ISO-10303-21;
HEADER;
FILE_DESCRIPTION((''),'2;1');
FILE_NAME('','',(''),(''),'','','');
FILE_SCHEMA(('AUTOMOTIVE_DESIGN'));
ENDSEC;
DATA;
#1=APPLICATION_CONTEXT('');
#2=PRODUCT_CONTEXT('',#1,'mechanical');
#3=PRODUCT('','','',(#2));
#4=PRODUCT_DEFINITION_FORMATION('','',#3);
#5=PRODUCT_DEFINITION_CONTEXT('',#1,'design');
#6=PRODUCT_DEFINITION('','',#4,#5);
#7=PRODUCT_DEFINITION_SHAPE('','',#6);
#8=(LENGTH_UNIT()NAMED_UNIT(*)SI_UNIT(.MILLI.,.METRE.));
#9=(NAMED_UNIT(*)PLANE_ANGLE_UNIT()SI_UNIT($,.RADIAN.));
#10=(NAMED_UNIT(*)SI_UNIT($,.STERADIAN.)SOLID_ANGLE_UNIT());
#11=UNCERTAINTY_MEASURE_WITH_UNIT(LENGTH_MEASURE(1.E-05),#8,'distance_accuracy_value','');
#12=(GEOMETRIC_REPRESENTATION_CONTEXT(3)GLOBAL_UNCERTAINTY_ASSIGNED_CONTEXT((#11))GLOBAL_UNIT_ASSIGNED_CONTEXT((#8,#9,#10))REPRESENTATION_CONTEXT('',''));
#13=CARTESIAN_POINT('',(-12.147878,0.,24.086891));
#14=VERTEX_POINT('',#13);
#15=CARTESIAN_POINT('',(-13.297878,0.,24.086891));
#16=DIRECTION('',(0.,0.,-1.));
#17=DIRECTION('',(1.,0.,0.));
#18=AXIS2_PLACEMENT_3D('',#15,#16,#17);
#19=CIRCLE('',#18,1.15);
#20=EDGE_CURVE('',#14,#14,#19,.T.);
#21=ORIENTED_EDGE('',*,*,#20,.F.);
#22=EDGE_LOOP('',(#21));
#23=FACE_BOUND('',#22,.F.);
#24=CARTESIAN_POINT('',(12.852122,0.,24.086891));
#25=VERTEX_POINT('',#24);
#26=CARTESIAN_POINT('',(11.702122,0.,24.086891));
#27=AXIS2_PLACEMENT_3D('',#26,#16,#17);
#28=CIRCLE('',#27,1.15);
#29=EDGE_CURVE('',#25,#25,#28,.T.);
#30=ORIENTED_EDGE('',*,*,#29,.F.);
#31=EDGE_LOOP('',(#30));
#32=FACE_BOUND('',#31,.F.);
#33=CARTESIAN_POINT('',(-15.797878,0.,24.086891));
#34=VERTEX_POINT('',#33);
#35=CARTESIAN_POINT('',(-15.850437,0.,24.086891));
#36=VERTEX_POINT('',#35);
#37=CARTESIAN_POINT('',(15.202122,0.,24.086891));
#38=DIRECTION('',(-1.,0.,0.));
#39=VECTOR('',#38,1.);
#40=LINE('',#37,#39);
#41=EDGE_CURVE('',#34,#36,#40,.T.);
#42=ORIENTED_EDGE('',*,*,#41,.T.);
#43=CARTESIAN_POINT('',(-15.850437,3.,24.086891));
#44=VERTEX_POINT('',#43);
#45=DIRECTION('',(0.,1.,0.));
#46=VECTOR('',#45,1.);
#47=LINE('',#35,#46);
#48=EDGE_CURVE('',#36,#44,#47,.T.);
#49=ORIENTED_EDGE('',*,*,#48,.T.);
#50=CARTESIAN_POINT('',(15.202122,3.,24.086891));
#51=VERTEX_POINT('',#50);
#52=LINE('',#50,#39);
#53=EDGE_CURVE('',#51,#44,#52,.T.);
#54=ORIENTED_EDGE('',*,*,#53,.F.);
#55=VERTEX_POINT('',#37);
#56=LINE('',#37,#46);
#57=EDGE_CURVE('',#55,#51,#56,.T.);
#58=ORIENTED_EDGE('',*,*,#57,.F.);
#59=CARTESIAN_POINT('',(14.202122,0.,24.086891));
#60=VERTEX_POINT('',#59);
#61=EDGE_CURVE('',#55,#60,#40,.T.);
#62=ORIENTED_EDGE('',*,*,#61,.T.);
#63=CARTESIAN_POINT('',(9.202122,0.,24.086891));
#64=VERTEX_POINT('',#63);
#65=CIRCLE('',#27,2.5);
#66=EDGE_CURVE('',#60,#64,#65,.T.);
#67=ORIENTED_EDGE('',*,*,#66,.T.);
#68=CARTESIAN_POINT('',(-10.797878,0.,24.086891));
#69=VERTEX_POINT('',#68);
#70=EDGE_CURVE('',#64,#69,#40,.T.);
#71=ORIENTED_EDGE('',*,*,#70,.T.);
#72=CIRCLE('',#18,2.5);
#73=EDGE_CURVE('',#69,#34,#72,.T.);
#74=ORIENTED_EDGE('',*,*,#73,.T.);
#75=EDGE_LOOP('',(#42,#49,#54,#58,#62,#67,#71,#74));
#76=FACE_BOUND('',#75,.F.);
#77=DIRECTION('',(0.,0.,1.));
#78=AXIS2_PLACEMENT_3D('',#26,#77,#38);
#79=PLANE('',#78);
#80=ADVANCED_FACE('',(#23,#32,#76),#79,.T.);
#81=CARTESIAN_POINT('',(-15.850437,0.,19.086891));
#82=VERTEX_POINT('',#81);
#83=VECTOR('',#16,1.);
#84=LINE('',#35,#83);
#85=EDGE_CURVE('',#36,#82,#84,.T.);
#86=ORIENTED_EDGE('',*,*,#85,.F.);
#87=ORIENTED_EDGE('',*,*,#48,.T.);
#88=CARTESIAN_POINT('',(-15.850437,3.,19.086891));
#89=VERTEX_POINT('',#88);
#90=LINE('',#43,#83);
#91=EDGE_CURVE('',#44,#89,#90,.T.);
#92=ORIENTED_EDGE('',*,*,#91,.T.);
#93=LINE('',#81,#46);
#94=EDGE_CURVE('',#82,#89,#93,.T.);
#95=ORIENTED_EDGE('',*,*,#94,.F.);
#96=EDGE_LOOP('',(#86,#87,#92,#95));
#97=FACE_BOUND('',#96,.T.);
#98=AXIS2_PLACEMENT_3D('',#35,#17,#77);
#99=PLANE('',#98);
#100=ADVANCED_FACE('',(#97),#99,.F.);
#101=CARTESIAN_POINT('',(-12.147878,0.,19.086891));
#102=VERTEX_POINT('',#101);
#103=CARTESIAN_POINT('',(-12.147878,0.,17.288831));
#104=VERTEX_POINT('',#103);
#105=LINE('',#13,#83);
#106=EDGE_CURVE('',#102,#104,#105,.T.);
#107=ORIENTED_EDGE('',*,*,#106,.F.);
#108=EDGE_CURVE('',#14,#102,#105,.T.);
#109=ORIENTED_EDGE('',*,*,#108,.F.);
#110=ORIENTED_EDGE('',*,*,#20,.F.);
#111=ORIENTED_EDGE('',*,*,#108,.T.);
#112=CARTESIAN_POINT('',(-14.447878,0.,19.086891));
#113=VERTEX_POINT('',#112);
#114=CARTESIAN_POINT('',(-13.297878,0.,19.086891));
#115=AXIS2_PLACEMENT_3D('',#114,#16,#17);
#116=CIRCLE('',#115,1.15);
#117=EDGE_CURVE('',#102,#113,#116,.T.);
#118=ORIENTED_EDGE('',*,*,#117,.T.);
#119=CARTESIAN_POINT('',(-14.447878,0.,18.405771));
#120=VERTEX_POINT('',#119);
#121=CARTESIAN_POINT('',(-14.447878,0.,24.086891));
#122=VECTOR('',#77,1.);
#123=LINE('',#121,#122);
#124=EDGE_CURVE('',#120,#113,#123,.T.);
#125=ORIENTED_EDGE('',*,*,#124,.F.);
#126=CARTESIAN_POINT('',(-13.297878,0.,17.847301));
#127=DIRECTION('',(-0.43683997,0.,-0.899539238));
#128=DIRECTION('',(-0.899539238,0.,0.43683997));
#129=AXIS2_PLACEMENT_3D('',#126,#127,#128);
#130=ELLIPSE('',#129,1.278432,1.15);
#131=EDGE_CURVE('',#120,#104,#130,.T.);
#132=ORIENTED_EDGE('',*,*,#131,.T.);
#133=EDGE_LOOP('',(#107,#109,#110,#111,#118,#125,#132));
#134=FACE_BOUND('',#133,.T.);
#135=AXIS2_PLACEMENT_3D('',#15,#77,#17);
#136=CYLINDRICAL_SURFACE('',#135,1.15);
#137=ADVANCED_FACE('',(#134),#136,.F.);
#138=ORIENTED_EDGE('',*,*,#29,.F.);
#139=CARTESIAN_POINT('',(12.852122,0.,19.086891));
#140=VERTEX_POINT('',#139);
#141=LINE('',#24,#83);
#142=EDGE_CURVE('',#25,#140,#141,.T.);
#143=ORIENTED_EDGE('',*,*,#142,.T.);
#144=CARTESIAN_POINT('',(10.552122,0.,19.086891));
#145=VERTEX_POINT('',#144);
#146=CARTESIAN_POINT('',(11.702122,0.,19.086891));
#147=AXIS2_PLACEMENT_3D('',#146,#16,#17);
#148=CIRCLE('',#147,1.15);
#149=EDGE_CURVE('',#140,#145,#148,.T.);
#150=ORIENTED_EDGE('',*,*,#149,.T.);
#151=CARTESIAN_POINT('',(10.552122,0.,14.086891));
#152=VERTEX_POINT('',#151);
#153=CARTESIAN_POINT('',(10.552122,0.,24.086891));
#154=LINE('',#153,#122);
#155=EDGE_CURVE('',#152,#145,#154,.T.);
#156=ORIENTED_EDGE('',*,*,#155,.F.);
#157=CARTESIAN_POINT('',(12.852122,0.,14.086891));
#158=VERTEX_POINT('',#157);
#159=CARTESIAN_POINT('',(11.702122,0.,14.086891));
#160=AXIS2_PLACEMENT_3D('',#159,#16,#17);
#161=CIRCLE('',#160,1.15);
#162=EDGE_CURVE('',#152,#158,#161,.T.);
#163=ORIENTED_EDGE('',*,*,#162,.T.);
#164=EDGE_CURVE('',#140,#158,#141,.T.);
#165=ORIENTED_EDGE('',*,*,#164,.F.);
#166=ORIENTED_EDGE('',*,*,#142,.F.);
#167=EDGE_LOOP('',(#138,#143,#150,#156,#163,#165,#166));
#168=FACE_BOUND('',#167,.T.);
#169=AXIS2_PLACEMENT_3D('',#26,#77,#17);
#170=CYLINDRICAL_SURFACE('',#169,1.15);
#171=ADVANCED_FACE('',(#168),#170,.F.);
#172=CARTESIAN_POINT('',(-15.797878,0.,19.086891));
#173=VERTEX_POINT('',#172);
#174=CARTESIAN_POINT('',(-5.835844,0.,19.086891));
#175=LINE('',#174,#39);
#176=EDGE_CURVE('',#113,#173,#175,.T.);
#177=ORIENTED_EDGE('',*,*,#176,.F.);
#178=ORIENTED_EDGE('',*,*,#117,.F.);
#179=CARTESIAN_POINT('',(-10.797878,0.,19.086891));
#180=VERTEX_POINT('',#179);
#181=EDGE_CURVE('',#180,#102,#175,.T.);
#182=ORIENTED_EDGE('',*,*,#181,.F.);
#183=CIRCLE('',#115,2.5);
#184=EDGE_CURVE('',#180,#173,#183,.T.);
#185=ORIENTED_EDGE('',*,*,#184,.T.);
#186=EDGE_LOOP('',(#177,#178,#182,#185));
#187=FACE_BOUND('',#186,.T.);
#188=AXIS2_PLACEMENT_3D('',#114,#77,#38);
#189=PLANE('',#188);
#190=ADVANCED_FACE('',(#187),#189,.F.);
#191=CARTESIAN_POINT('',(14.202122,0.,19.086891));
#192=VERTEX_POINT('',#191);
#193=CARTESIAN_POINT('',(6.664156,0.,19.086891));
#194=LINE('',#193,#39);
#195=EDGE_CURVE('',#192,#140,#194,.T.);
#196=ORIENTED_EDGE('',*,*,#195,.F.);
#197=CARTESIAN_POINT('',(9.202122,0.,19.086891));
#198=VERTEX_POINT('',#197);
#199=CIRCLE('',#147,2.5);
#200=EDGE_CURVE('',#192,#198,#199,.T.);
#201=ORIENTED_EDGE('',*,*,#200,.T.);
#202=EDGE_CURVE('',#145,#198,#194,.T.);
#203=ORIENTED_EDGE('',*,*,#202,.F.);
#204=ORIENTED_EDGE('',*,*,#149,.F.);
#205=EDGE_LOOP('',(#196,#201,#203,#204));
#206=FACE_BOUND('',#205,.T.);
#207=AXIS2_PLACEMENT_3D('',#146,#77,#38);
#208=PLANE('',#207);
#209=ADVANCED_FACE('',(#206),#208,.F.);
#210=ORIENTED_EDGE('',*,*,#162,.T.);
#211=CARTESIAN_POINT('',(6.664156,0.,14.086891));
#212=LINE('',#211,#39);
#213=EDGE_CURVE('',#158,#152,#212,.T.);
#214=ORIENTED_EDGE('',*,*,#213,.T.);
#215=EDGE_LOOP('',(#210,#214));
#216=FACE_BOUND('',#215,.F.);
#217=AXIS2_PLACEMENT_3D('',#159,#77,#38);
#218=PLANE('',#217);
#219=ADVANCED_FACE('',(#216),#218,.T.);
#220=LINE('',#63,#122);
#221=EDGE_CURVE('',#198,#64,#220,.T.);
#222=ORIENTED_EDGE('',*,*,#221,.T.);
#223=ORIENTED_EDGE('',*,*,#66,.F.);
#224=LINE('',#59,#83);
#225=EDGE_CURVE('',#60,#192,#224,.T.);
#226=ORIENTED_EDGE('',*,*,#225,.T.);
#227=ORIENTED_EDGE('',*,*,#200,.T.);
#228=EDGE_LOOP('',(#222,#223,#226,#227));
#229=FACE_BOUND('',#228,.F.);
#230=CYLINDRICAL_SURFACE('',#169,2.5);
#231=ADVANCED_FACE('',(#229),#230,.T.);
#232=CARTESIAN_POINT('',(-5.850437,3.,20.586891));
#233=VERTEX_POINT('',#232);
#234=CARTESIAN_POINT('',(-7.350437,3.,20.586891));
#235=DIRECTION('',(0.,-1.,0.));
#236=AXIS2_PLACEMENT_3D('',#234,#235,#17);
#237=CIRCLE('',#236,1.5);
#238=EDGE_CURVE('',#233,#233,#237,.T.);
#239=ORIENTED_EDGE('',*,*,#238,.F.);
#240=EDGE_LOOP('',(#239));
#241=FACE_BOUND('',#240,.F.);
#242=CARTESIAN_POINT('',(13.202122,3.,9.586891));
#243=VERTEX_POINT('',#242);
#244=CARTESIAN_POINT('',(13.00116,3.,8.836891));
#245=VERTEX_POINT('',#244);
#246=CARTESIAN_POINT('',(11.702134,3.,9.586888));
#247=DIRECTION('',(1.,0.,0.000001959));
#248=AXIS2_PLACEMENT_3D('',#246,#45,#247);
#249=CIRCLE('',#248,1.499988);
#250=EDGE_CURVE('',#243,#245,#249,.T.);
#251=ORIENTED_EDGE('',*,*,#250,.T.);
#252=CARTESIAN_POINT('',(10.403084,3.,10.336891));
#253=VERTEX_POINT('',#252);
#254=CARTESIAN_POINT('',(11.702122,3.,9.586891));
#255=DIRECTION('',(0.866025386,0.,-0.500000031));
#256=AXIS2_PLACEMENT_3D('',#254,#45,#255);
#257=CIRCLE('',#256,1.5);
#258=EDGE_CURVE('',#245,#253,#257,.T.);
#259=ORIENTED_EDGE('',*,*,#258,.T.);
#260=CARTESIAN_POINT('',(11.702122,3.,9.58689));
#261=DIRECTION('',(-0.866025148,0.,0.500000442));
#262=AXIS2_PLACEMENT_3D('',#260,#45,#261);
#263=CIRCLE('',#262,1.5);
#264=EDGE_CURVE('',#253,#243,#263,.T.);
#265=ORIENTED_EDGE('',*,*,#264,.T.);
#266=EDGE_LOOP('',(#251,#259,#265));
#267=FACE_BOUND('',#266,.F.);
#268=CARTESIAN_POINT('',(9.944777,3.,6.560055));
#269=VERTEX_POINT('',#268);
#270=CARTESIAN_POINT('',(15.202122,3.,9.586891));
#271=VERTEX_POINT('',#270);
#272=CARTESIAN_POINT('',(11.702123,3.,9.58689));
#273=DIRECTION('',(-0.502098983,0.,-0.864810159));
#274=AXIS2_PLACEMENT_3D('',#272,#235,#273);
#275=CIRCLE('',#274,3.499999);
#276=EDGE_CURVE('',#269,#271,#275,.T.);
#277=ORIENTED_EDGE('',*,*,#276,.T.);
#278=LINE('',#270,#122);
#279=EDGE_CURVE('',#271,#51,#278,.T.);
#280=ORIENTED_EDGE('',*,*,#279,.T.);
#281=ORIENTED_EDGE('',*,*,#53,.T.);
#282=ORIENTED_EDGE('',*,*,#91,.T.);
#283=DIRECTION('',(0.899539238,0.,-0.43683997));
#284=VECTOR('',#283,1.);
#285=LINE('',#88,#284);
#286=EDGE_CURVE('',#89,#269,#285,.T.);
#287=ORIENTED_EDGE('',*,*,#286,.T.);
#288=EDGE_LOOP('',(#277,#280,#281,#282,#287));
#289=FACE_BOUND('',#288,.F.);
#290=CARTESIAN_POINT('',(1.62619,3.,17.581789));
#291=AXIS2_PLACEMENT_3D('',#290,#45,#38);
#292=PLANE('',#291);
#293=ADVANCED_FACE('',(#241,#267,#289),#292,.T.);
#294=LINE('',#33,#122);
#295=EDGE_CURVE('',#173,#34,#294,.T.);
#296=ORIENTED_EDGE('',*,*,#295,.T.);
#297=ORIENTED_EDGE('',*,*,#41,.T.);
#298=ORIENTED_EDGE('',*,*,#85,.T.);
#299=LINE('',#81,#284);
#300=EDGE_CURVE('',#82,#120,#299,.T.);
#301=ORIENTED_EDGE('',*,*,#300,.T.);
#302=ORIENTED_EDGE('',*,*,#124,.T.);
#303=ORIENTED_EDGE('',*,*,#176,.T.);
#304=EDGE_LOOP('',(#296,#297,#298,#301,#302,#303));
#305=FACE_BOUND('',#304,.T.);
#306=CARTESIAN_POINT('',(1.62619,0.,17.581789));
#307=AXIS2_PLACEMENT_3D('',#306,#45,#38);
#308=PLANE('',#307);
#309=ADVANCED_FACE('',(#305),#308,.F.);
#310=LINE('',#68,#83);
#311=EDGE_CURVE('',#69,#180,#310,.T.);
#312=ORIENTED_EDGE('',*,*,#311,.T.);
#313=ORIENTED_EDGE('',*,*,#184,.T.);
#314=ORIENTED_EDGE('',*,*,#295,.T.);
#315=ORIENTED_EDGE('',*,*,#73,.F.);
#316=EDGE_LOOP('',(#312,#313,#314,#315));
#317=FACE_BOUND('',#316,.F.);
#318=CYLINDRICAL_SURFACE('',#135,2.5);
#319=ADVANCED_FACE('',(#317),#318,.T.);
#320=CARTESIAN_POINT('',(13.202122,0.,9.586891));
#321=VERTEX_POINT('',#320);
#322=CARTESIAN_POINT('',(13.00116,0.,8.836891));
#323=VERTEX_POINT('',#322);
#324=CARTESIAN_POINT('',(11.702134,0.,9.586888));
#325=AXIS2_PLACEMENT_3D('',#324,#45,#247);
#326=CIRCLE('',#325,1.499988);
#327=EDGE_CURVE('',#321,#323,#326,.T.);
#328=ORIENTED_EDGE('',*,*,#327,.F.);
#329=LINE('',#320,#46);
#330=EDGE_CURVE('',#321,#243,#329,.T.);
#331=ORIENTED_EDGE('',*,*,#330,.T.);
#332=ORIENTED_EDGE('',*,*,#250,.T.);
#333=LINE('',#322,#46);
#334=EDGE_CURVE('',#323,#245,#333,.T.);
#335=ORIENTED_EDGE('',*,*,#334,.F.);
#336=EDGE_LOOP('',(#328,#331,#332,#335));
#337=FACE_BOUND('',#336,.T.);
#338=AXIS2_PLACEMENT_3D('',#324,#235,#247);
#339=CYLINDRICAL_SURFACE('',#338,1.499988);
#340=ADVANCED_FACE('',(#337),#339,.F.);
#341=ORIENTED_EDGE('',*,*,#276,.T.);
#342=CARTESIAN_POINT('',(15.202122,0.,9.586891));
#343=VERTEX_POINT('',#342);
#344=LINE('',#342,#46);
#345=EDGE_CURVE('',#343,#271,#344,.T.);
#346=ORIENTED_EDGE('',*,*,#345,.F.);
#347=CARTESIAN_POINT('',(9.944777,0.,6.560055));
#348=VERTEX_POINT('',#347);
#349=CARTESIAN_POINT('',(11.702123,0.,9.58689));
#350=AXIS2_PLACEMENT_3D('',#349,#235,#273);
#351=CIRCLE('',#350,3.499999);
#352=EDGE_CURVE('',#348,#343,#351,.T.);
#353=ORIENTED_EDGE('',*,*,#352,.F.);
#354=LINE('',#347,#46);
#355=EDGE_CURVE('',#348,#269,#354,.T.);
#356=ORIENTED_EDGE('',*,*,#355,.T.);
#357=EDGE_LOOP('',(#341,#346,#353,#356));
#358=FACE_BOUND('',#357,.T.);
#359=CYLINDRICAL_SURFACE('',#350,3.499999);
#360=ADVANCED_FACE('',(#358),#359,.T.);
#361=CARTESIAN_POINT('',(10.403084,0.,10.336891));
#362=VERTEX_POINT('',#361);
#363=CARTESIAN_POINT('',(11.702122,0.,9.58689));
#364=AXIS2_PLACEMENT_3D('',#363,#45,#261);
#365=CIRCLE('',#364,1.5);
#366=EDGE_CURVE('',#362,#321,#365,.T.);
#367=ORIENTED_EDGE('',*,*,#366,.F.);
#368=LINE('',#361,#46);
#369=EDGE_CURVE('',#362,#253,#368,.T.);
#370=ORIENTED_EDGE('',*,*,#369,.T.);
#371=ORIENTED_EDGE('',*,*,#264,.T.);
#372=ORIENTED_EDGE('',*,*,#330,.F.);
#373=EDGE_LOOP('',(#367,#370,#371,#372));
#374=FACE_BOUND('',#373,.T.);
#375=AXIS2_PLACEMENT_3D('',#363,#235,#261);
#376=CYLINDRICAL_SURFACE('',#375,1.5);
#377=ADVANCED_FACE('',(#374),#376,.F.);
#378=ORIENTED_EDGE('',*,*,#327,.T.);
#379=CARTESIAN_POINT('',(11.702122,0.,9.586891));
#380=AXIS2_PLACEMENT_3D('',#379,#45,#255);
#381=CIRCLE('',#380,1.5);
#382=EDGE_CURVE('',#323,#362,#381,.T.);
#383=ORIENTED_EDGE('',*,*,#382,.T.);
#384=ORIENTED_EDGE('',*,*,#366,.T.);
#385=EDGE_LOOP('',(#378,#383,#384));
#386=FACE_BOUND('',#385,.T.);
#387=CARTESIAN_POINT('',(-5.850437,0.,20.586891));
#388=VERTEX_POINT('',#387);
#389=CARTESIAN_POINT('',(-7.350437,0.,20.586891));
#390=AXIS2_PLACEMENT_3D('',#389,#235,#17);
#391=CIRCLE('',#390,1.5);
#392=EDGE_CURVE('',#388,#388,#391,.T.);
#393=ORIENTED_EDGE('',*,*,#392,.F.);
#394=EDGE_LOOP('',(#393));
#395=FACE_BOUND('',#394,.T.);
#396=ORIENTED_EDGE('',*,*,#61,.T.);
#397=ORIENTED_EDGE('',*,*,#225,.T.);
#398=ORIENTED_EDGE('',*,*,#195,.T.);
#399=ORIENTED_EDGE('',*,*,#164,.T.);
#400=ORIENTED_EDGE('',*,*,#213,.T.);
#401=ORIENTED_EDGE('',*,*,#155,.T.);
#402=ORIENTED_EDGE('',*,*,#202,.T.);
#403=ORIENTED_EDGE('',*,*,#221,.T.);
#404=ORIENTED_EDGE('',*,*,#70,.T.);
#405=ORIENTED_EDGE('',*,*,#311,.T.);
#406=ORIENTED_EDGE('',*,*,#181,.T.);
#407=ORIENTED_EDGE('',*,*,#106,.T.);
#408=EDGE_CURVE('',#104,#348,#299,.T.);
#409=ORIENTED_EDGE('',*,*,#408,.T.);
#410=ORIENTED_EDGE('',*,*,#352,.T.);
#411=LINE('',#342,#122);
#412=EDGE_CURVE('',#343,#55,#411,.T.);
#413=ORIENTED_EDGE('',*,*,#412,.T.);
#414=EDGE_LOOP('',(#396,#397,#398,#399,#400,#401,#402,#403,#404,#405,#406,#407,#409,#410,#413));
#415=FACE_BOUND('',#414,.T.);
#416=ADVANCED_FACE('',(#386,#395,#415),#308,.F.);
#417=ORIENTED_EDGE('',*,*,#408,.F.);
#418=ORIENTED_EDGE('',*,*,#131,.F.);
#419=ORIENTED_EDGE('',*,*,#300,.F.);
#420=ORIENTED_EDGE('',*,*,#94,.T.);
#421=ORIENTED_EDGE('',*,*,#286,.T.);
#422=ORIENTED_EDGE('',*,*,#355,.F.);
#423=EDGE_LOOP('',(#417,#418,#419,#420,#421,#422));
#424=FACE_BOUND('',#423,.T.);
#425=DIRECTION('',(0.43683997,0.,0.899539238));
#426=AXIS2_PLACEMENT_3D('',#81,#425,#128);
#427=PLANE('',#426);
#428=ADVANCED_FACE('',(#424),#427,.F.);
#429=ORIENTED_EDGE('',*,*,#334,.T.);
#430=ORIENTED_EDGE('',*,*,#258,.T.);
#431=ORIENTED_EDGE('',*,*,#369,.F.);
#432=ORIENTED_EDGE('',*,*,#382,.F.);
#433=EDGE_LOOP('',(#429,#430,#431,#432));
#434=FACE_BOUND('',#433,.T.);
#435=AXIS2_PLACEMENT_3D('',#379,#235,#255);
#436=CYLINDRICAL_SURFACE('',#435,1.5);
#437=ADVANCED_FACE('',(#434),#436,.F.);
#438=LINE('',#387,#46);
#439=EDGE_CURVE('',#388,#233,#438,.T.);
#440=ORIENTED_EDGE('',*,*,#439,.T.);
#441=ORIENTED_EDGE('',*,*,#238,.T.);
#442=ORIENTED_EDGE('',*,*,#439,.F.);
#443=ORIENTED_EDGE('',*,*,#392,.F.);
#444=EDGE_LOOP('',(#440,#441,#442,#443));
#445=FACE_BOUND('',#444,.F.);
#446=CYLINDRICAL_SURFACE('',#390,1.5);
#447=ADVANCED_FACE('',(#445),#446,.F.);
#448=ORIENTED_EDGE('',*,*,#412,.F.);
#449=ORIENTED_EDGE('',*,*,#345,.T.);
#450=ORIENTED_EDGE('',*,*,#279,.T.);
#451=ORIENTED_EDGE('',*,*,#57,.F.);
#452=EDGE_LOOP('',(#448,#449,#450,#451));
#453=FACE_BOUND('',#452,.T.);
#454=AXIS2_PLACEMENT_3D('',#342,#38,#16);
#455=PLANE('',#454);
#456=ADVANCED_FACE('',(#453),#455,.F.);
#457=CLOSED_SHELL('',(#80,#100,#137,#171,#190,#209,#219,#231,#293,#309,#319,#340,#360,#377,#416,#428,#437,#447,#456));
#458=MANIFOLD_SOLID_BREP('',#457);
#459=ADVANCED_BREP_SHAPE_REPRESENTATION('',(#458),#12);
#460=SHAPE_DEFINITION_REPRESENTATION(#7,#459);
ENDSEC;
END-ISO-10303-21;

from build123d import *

# Parameters (mm, degrees)
F0_R     = 1.5
F1_DEPTH = 3
F2_R     = 2.5
F3_DEPTH = 5
F4_R     = 1.15
F5_DEPTH = 10


with BuildPart() as f1:
    # F0 (on Front) → F1 (new body)
    with BuildSketch(Plane.XZ):
        with BuildLine():
            Line((-15.850437, 19.086891), (9.944777, 6.560055))
            ThreePointArc((9.944777, 6.560055), (13.448446, 6.553682), (15.202122, 9.586891))
            Line((15.202122, 9.586891), (15.202122, 24.086891))
            Line((15.202122, 24.086891), (-10.850437, 24.086891))
            Line((-10.850437, 24.086891), (-15.850437, 24.086891))
            Line((-15.850437, 24.086891), (-15.850437, 19.086891))
        make_face()
        with BuildLine():
            ThreePointArc((13.00116, 8.836891), (10.952122, 8.287853), (10.403084, 10.336891))
            ThreePointArc((10.403084, 10.336891), (12.090351, 11.035779), (13.202122, 9.586891))
            ThreePointArc((13.202122, 9.586891), (13.151011, 9.198662), (13.00116, 8.836891))
        make_face(mode=Mode.SUBTRACT)
        with Locations((-7.350437, 20.586891)):
            Circle(F0_R, mode=Mode.SUBTRACT)
    extrude(amount=F1_DEPTH)

    # F2 (on face) → F3 (join)
    with BuildSketch(Plane.XY.offset(24.086891)):
        with Locations((11.702122, 0)):
            Circle(F2_R)
        with Locations((-13.297878, 0)):
            Circle(F2_R)
    extrude(amount=-F3_DEPTH)

    # F4 (on face) → F5 (cut)
    with BuildSketch(Plane.XY.offset(24.086891)):
        with Locations((11.702122, 0)):
            Circle(F4_R)
        with Locations((-13.297878, 0)):
            Circle(F4_R)
    extrude(amount=-F5_DEPTH, mode=Mode.SUBTRACT)


with BuildPart() as f6_1:
    # F6: instance of F1
    add(f1.part.mirror(Plane.XZ))


solid = f6_1.part
